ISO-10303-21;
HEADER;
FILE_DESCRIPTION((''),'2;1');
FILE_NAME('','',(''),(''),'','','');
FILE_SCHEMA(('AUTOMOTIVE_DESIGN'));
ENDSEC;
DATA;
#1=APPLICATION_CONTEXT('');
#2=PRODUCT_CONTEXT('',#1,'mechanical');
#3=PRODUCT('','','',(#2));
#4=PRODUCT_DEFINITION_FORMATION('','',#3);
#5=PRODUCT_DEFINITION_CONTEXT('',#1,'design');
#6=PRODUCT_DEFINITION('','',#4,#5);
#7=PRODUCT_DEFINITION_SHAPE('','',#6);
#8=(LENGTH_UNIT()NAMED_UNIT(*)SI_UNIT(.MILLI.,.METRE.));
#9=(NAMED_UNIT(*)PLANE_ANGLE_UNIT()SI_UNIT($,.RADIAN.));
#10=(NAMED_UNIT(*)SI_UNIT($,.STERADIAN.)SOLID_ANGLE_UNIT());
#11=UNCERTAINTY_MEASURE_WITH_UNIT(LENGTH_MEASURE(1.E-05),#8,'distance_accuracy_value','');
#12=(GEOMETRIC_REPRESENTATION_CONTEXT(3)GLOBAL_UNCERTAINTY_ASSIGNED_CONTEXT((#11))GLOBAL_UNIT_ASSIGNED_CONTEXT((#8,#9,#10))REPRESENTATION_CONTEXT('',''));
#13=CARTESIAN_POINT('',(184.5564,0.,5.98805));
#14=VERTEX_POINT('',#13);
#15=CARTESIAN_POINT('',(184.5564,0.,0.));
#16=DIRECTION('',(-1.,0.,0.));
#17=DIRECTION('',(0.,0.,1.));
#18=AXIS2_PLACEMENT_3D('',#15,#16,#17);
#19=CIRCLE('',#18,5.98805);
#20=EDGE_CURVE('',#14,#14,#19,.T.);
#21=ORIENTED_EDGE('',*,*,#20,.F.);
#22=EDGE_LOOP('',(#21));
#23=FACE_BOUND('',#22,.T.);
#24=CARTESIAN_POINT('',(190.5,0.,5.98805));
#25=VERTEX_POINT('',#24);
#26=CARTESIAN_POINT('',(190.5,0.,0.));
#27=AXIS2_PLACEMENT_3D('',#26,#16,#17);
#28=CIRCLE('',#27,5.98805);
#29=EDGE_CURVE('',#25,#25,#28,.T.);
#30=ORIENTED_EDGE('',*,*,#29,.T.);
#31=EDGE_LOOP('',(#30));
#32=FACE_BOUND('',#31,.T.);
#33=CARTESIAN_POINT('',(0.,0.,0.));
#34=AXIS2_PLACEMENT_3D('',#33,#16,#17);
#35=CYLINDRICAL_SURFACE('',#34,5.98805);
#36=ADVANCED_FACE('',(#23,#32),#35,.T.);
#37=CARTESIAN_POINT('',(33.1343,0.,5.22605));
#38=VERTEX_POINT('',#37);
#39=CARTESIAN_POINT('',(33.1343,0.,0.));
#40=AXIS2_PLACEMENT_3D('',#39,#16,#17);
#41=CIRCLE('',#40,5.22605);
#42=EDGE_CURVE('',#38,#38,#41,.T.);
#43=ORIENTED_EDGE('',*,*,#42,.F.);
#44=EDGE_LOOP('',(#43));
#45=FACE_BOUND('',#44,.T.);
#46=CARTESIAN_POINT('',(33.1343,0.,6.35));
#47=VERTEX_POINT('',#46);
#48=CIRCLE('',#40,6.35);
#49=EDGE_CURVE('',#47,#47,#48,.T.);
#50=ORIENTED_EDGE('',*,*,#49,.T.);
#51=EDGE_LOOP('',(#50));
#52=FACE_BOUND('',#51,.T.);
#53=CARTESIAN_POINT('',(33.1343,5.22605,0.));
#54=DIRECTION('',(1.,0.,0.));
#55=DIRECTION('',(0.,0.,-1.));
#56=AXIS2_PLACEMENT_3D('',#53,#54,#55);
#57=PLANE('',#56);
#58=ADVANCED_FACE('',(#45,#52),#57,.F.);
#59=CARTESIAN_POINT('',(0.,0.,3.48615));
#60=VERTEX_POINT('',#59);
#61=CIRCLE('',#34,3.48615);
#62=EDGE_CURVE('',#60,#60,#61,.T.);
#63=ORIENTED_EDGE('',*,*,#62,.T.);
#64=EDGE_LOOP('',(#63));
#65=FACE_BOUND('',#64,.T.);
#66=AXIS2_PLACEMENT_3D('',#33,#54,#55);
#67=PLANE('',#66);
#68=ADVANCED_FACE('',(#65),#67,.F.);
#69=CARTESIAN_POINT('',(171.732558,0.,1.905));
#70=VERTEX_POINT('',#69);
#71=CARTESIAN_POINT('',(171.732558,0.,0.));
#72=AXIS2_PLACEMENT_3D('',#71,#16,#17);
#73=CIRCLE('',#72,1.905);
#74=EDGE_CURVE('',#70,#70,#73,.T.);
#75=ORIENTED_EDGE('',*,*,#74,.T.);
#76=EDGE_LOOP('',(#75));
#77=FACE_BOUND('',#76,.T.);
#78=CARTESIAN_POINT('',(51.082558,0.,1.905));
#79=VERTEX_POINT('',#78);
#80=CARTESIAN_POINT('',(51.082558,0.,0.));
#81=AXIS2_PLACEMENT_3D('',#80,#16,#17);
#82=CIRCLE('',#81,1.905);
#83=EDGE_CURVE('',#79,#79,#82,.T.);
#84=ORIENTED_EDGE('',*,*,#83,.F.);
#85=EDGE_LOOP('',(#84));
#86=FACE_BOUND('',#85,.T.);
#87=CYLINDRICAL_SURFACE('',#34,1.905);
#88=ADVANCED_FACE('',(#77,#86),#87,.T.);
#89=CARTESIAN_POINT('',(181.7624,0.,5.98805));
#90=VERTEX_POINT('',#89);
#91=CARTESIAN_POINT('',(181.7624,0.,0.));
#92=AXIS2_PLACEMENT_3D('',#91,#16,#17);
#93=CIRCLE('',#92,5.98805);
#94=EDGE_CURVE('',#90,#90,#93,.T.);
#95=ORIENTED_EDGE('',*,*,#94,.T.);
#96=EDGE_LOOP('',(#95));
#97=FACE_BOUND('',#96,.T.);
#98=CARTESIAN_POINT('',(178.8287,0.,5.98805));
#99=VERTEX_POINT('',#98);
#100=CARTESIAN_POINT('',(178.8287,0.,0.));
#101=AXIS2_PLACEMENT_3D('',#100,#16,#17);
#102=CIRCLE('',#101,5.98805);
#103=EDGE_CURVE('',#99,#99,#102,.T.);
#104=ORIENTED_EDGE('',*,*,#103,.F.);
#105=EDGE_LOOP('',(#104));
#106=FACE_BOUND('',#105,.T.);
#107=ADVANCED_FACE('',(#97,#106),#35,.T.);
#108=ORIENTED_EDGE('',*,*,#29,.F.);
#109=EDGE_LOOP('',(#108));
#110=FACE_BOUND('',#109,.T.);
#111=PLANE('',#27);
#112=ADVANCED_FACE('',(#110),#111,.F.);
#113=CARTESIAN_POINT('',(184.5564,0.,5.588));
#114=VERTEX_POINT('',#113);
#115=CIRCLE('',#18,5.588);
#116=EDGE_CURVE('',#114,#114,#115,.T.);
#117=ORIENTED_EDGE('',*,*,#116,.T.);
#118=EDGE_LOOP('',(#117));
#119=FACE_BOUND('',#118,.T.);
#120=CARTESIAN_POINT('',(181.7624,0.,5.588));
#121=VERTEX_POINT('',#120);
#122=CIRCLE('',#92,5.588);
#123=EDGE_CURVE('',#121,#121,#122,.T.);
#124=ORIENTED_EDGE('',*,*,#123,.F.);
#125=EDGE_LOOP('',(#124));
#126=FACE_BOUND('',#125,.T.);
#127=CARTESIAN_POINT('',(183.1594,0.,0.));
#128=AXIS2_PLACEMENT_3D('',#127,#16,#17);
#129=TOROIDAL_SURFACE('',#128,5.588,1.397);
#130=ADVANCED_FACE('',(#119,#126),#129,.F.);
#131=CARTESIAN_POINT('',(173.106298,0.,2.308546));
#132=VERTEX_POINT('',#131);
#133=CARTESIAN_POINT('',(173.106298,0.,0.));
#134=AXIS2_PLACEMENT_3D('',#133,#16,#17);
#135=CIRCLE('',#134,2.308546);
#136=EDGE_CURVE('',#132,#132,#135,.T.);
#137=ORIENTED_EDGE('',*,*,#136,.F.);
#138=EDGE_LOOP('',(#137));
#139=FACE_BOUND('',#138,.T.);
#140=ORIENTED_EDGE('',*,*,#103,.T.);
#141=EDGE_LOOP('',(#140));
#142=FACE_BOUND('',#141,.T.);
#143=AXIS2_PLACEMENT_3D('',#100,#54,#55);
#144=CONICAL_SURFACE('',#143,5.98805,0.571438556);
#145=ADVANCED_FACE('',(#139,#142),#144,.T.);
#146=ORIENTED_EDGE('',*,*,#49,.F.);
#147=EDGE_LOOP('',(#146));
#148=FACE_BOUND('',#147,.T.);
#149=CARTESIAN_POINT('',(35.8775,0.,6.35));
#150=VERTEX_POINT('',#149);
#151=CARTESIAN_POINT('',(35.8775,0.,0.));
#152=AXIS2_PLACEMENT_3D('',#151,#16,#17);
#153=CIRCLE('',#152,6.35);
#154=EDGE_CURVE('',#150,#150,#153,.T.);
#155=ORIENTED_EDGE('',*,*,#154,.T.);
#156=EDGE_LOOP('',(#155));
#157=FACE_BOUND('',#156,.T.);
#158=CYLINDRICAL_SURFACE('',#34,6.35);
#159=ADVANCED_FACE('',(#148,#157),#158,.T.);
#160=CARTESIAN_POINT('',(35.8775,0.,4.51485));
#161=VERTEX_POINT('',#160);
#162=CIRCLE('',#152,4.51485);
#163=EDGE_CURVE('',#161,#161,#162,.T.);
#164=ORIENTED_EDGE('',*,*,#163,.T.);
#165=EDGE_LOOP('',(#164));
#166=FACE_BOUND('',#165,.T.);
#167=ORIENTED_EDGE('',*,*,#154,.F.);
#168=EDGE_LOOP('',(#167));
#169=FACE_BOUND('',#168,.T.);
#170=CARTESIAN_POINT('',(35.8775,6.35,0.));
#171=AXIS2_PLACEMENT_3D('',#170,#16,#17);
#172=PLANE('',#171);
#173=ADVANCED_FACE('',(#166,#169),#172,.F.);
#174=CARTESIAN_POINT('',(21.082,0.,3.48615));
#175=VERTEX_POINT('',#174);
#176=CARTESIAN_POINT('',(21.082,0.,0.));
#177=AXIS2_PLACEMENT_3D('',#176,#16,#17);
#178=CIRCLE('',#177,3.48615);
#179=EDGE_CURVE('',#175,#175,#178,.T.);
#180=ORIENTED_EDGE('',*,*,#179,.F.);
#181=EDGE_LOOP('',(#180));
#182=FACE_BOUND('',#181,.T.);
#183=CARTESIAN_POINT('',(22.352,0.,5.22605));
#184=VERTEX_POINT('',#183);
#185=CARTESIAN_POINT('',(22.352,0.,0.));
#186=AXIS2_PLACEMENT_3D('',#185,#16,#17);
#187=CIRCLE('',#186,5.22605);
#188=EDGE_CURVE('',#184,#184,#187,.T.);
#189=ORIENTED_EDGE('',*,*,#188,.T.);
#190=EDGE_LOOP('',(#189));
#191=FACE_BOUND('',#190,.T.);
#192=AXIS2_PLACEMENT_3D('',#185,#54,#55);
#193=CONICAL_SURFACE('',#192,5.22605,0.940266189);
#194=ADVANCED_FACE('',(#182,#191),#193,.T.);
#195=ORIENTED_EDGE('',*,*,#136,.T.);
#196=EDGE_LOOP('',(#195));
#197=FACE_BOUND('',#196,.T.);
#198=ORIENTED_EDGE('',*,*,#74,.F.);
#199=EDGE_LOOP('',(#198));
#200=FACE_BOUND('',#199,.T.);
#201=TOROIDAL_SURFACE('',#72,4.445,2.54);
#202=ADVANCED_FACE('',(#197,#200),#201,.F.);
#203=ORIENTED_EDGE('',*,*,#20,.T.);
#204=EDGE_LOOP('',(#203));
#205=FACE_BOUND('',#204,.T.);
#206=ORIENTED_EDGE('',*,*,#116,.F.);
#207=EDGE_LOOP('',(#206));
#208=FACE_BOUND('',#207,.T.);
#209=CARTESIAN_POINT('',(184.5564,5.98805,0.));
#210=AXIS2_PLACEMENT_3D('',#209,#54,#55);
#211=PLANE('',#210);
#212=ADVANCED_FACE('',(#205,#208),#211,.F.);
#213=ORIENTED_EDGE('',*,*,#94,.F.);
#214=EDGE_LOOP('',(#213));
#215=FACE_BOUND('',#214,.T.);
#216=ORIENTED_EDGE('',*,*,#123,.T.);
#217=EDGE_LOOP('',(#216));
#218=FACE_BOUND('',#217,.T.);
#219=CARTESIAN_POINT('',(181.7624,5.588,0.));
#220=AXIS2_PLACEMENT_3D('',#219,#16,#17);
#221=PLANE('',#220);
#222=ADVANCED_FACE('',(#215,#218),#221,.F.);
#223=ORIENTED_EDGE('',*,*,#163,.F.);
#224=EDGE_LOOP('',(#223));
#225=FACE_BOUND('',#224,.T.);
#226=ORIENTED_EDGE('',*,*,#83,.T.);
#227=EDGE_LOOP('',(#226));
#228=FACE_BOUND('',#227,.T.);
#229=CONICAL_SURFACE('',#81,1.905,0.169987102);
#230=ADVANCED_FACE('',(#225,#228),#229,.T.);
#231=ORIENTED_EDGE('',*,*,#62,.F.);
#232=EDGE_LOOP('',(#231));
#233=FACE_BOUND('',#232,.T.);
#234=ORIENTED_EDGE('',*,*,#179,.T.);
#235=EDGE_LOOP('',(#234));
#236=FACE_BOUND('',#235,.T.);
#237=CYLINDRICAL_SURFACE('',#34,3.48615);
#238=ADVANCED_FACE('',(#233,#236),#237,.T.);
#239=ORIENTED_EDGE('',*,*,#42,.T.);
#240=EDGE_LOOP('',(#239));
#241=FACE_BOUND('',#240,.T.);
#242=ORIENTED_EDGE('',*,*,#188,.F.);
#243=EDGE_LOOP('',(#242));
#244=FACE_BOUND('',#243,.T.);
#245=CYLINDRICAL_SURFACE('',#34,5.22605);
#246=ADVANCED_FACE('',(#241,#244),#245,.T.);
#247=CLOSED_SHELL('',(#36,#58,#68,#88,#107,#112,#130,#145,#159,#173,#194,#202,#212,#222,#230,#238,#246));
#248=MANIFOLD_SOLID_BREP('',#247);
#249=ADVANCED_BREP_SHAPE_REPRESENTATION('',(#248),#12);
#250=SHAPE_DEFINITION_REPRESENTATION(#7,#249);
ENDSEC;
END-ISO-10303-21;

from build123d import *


with BuildPart() as part:
    # Sketch2 → Revolve2 (revolve)
    with BuildSketch(Plane.XY, mode=Mode.PRIVATE) as revolve2_sk:
        with BuildLine():
            Line((190.5, 0), (190.5, 5.98805))
            Line((190.5, 5.98805), (184.5564, 5.98805))
            Line((184.5564, 5.98805), (184.5564, 5.588))
            ThreePointArc((184.5564, 5.588), (183.1594, 4.191), (181.7624, 5.588))
            Line((181.7624, 5.588), (181.7624, 5.98805))
            Line((181.7624, 5.98805), (178.8287, 5.98805))
            Line((178.8287, 5.98805), (173.106298001, 2.308545514))
            ThreePointArc((173.106298001, 2.308545514), (172.448450778, 2.007973698), (171.732557766, 1.905))
            Line((171.732557766, 1.905), (51.082557766, 1.905))
            Line((51.082557766, 1.905), (35.8775, 4.51485))
            Line((35.8775, 4.51485), (35.8775, 6.35))
            Line((35.8775, 6.35), (33.1343, 6.35))
            Line((33.1343, 6.35), (33.1343, 5.22605))
            Line((33.1343, 5.22605), (22.352, 5.22605))
            Line((22.352, 5.22605), (21.082, 3.48615))
            Line((21.082, 3.48615), (0, 3.48615))
            Line((0, 3.48615), (0, 0))
            Line((0, 0), (190.5, 0))
        make_face()
    revolve(revolve2_sk.sketch.rotate(Axis((0, 0, 0), (1, 0, 0)), 90), axis=Axis((0, 0, 0), (1, 0, 0)))


solid = part.part
